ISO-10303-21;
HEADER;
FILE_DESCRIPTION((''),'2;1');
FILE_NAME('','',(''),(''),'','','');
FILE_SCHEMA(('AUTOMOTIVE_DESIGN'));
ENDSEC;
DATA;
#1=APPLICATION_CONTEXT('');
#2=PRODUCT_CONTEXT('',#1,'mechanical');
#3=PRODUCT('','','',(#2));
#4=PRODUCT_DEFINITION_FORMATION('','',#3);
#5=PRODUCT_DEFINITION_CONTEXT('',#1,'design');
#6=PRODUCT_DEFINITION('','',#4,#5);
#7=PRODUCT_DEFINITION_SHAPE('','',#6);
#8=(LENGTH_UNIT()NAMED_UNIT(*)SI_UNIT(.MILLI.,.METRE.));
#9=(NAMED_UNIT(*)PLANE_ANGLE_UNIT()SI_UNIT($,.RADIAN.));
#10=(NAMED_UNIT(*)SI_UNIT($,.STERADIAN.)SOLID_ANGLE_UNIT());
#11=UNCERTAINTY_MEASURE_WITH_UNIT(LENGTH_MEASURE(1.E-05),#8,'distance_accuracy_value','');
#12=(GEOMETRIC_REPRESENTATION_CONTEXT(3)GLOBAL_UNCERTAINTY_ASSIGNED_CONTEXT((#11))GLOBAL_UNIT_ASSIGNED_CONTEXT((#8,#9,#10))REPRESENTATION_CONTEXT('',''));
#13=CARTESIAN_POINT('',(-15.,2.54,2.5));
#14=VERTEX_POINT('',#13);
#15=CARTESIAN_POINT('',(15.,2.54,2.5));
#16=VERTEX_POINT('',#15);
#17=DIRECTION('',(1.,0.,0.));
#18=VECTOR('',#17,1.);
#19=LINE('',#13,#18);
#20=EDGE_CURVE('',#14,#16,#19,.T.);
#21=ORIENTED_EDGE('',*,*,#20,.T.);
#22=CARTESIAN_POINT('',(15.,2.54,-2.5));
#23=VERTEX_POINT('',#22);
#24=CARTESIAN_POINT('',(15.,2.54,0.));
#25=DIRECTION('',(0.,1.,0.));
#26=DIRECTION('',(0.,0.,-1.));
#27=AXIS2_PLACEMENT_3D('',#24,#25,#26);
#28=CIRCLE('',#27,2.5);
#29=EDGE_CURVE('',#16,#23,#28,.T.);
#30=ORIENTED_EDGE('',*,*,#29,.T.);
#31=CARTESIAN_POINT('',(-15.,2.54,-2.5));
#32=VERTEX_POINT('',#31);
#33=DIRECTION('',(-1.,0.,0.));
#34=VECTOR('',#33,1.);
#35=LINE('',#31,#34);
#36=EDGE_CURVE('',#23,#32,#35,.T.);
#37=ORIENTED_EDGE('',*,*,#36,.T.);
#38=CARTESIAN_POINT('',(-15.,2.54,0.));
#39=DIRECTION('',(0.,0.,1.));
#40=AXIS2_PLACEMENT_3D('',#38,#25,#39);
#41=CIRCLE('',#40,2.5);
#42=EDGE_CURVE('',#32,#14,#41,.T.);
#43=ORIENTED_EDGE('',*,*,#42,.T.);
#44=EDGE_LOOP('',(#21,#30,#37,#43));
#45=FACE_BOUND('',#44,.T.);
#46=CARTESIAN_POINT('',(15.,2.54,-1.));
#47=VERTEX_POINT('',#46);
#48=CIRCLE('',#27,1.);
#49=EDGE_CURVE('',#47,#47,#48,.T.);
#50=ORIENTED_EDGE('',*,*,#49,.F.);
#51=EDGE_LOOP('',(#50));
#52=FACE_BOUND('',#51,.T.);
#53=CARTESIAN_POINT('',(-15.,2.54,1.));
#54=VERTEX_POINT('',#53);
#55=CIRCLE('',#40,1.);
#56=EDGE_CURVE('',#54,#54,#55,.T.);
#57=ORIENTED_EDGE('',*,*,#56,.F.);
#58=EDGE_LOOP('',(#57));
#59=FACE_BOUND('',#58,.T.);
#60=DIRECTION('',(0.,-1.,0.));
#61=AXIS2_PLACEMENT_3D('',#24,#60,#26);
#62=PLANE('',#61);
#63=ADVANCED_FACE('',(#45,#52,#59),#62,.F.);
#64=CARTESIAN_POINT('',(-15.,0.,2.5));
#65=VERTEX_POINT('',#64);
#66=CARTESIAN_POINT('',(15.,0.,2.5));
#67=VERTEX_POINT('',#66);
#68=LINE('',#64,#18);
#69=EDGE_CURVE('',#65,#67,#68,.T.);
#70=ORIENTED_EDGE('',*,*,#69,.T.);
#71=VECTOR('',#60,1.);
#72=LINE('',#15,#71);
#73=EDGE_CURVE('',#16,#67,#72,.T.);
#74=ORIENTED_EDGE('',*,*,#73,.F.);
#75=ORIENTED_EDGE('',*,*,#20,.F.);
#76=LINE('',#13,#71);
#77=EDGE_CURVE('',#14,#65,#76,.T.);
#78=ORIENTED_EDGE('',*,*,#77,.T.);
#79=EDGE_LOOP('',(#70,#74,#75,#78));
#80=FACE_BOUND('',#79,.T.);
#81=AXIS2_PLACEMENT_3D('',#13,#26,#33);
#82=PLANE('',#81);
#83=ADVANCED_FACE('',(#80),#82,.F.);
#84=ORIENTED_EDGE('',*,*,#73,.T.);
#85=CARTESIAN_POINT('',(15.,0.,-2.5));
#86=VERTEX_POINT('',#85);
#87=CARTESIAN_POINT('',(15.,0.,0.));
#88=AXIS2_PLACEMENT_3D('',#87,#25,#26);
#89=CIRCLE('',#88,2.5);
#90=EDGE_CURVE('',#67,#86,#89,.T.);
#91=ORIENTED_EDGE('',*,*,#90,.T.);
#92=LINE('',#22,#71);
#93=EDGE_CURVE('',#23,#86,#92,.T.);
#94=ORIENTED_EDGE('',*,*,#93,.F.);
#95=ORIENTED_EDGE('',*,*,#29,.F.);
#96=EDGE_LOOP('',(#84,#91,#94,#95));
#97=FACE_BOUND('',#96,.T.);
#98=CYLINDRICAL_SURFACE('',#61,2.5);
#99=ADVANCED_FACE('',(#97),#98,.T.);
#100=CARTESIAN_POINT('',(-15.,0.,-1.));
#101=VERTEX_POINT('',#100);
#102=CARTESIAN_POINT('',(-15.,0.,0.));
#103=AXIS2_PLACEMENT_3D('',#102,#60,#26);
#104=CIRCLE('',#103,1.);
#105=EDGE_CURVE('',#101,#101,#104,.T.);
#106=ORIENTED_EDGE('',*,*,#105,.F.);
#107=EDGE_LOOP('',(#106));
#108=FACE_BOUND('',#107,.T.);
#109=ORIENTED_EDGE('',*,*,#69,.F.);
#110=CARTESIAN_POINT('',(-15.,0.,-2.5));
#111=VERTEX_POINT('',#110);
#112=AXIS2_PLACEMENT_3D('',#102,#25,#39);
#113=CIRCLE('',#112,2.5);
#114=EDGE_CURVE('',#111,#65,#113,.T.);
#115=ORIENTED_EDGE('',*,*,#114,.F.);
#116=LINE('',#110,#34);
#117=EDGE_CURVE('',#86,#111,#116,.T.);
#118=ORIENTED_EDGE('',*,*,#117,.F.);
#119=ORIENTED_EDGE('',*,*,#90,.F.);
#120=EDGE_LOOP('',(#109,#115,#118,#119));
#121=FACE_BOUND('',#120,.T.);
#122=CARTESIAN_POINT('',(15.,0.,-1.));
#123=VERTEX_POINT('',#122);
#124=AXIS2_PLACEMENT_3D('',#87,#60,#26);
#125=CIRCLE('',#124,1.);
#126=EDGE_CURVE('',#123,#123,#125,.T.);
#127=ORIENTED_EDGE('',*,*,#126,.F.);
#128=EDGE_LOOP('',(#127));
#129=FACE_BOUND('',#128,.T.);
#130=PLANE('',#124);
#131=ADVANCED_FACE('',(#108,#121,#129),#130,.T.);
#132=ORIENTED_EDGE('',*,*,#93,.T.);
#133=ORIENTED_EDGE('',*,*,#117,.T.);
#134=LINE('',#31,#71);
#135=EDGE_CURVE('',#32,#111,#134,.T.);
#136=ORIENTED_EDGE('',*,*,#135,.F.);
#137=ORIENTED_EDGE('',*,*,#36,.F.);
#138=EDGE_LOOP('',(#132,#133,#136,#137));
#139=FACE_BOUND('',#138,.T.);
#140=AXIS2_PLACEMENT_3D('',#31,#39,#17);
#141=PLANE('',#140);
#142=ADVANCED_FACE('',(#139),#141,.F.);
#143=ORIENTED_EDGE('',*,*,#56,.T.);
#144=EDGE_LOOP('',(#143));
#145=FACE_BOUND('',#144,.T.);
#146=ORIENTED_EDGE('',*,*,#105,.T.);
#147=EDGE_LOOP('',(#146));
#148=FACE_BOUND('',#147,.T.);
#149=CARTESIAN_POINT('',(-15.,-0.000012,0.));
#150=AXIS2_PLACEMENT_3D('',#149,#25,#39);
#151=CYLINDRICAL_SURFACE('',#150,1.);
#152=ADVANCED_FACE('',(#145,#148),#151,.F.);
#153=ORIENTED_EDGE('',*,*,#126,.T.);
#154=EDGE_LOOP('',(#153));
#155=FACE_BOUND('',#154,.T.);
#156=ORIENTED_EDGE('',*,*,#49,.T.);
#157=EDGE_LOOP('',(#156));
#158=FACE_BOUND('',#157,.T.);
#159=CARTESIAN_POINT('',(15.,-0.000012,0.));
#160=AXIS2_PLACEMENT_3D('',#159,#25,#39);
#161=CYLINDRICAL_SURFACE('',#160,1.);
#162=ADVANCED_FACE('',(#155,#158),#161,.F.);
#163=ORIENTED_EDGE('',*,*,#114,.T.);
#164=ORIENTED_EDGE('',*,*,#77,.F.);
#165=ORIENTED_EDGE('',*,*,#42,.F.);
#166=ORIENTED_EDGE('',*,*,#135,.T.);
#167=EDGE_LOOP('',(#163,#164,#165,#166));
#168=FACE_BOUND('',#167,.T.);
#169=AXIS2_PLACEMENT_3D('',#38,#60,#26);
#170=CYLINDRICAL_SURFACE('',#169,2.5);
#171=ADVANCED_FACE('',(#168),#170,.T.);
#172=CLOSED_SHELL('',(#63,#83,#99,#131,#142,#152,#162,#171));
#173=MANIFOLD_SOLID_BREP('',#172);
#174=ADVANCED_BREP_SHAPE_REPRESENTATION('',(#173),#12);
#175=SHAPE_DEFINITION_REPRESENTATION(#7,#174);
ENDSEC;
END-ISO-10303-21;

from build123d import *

# Parameters (mm, degrees)
BOSS_EXTRUDE1_DEPTH     = 2.54
SKETCH2_R               = 1
CUT_EXTRUDE1_DEPTH      = 3.54
CUT_EXTRUDE1_DEPTH_BACK = 1


with BuildPart() as part:
    # Sketch1 → Boss-Extrude1 (new body)
    with BuildSketch(Plane(origin=(0, 0, 0), x_dir=(1, 0, 0), z_dir=(0, 1, 0))):
        with BuildLine():
            Line((-15, 2.5), (15, 2.5))
            ThreePointArc((15, 2.5), (17.5, 0), (15, -2.5))
            Line((15, -2.5), (-15, -2.5))
            ThreePointArc((-15, -2.5), (-17.5, 0), (-15, 2.5))
        make_face()
    extrude(amount=BOSS_EXTRUDE1_DEPTH)

    # Sketch2 → Cut-Extrude1 (cut, two sides)
    with BuildSketch(Plane(origin=(0, 0, 0), x_dir=(1, 0, 0), z_dir=(0, 1, 0))) as cut_extrude1_sk:
        with Locations((-15, 0)):
            Circle(SKETCH2_R)
        with Locations((15, 0)):
            Circle(SKETCH2_R)
    extrude(amount=CUT_EXTRUDE1_DEPTH, mode=Mode.SUBTRACT)
    extrude(cut_extrude1_sk.sketch, amount=-CUT_EXTRUDE1_DEPTH_BACK, mode=Mode.SUBTRACT)


solid = part.part
